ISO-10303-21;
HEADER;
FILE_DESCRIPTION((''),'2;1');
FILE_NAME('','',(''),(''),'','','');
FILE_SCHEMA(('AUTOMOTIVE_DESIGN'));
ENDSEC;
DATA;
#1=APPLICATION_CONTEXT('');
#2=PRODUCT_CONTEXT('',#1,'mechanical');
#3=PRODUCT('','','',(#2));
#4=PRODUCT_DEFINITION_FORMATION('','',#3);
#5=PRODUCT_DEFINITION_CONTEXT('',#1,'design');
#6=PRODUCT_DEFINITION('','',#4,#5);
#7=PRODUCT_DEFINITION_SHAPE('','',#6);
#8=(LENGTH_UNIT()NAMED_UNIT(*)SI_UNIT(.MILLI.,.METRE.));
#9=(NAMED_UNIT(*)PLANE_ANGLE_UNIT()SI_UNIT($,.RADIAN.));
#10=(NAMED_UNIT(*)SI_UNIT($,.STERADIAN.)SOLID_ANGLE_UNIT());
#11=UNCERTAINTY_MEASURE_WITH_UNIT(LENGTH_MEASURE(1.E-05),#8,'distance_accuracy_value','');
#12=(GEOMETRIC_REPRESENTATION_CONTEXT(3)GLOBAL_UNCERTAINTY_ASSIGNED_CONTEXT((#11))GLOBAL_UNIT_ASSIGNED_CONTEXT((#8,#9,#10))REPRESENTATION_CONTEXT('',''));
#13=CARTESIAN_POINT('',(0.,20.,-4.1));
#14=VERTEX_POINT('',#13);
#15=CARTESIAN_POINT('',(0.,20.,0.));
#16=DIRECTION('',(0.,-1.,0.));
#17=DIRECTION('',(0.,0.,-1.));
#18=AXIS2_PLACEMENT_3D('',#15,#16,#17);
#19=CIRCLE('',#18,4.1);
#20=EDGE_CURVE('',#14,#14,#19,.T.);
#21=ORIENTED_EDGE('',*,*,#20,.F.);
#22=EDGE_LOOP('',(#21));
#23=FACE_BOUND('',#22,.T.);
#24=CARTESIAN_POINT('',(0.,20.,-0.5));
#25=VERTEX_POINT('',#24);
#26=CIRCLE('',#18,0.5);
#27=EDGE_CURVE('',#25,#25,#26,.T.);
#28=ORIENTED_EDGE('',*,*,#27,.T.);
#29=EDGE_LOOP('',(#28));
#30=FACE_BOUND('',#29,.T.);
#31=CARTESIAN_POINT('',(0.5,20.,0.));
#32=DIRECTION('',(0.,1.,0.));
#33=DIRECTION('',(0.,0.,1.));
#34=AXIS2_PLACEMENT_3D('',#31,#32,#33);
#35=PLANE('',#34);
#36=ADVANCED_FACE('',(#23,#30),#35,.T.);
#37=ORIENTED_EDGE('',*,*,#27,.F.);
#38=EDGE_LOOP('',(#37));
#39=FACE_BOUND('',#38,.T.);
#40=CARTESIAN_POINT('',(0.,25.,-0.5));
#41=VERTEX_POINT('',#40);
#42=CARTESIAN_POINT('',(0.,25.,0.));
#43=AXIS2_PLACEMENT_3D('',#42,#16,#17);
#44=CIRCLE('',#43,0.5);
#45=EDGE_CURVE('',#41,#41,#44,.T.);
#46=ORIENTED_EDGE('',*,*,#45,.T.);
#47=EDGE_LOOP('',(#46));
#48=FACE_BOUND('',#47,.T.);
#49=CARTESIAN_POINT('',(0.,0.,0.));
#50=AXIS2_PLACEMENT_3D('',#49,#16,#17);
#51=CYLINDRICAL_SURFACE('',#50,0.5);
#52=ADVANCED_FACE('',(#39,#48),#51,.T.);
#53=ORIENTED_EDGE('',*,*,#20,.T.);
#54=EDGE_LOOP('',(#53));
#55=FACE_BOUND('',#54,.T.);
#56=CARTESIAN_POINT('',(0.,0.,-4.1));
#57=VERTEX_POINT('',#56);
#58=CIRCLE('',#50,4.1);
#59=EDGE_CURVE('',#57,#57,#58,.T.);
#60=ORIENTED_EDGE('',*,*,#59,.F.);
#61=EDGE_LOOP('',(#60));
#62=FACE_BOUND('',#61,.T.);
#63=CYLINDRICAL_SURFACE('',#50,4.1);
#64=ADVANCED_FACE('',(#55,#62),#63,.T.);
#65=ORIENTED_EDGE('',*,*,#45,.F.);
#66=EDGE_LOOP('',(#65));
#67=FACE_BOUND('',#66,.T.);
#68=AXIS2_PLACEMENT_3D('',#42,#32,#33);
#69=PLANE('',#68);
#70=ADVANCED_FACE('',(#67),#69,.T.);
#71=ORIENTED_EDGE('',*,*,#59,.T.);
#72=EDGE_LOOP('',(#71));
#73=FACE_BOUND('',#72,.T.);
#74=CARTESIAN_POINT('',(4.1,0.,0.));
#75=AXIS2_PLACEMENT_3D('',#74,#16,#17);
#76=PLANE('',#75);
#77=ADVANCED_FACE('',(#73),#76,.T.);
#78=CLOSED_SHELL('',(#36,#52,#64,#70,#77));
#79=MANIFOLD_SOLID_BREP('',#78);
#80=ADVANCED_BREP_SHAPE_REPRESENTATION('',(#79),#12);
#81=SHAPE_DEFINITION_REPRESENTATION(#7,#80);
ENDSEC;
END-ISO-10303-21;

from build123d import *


with BuildPart() as part:
    # Esboço1 → Revolução1 (revolve)
    with BuildSketch(Plane.XY, mode=Mode.PRIVATE) as revolu_o1_sk:
        Polygon((0, 25), (0.5, 25), (0.5, 20), (4.1, 20), (4.1, 0), (0, 0), align=None)
    revolve(revolu_o1_sk.sketch.rotate(Axis((0, 0, 0), (0, 1, 0)), 90), axis=Axis((0, 0, 0), (0, 1, 0)))


solid = part.part
